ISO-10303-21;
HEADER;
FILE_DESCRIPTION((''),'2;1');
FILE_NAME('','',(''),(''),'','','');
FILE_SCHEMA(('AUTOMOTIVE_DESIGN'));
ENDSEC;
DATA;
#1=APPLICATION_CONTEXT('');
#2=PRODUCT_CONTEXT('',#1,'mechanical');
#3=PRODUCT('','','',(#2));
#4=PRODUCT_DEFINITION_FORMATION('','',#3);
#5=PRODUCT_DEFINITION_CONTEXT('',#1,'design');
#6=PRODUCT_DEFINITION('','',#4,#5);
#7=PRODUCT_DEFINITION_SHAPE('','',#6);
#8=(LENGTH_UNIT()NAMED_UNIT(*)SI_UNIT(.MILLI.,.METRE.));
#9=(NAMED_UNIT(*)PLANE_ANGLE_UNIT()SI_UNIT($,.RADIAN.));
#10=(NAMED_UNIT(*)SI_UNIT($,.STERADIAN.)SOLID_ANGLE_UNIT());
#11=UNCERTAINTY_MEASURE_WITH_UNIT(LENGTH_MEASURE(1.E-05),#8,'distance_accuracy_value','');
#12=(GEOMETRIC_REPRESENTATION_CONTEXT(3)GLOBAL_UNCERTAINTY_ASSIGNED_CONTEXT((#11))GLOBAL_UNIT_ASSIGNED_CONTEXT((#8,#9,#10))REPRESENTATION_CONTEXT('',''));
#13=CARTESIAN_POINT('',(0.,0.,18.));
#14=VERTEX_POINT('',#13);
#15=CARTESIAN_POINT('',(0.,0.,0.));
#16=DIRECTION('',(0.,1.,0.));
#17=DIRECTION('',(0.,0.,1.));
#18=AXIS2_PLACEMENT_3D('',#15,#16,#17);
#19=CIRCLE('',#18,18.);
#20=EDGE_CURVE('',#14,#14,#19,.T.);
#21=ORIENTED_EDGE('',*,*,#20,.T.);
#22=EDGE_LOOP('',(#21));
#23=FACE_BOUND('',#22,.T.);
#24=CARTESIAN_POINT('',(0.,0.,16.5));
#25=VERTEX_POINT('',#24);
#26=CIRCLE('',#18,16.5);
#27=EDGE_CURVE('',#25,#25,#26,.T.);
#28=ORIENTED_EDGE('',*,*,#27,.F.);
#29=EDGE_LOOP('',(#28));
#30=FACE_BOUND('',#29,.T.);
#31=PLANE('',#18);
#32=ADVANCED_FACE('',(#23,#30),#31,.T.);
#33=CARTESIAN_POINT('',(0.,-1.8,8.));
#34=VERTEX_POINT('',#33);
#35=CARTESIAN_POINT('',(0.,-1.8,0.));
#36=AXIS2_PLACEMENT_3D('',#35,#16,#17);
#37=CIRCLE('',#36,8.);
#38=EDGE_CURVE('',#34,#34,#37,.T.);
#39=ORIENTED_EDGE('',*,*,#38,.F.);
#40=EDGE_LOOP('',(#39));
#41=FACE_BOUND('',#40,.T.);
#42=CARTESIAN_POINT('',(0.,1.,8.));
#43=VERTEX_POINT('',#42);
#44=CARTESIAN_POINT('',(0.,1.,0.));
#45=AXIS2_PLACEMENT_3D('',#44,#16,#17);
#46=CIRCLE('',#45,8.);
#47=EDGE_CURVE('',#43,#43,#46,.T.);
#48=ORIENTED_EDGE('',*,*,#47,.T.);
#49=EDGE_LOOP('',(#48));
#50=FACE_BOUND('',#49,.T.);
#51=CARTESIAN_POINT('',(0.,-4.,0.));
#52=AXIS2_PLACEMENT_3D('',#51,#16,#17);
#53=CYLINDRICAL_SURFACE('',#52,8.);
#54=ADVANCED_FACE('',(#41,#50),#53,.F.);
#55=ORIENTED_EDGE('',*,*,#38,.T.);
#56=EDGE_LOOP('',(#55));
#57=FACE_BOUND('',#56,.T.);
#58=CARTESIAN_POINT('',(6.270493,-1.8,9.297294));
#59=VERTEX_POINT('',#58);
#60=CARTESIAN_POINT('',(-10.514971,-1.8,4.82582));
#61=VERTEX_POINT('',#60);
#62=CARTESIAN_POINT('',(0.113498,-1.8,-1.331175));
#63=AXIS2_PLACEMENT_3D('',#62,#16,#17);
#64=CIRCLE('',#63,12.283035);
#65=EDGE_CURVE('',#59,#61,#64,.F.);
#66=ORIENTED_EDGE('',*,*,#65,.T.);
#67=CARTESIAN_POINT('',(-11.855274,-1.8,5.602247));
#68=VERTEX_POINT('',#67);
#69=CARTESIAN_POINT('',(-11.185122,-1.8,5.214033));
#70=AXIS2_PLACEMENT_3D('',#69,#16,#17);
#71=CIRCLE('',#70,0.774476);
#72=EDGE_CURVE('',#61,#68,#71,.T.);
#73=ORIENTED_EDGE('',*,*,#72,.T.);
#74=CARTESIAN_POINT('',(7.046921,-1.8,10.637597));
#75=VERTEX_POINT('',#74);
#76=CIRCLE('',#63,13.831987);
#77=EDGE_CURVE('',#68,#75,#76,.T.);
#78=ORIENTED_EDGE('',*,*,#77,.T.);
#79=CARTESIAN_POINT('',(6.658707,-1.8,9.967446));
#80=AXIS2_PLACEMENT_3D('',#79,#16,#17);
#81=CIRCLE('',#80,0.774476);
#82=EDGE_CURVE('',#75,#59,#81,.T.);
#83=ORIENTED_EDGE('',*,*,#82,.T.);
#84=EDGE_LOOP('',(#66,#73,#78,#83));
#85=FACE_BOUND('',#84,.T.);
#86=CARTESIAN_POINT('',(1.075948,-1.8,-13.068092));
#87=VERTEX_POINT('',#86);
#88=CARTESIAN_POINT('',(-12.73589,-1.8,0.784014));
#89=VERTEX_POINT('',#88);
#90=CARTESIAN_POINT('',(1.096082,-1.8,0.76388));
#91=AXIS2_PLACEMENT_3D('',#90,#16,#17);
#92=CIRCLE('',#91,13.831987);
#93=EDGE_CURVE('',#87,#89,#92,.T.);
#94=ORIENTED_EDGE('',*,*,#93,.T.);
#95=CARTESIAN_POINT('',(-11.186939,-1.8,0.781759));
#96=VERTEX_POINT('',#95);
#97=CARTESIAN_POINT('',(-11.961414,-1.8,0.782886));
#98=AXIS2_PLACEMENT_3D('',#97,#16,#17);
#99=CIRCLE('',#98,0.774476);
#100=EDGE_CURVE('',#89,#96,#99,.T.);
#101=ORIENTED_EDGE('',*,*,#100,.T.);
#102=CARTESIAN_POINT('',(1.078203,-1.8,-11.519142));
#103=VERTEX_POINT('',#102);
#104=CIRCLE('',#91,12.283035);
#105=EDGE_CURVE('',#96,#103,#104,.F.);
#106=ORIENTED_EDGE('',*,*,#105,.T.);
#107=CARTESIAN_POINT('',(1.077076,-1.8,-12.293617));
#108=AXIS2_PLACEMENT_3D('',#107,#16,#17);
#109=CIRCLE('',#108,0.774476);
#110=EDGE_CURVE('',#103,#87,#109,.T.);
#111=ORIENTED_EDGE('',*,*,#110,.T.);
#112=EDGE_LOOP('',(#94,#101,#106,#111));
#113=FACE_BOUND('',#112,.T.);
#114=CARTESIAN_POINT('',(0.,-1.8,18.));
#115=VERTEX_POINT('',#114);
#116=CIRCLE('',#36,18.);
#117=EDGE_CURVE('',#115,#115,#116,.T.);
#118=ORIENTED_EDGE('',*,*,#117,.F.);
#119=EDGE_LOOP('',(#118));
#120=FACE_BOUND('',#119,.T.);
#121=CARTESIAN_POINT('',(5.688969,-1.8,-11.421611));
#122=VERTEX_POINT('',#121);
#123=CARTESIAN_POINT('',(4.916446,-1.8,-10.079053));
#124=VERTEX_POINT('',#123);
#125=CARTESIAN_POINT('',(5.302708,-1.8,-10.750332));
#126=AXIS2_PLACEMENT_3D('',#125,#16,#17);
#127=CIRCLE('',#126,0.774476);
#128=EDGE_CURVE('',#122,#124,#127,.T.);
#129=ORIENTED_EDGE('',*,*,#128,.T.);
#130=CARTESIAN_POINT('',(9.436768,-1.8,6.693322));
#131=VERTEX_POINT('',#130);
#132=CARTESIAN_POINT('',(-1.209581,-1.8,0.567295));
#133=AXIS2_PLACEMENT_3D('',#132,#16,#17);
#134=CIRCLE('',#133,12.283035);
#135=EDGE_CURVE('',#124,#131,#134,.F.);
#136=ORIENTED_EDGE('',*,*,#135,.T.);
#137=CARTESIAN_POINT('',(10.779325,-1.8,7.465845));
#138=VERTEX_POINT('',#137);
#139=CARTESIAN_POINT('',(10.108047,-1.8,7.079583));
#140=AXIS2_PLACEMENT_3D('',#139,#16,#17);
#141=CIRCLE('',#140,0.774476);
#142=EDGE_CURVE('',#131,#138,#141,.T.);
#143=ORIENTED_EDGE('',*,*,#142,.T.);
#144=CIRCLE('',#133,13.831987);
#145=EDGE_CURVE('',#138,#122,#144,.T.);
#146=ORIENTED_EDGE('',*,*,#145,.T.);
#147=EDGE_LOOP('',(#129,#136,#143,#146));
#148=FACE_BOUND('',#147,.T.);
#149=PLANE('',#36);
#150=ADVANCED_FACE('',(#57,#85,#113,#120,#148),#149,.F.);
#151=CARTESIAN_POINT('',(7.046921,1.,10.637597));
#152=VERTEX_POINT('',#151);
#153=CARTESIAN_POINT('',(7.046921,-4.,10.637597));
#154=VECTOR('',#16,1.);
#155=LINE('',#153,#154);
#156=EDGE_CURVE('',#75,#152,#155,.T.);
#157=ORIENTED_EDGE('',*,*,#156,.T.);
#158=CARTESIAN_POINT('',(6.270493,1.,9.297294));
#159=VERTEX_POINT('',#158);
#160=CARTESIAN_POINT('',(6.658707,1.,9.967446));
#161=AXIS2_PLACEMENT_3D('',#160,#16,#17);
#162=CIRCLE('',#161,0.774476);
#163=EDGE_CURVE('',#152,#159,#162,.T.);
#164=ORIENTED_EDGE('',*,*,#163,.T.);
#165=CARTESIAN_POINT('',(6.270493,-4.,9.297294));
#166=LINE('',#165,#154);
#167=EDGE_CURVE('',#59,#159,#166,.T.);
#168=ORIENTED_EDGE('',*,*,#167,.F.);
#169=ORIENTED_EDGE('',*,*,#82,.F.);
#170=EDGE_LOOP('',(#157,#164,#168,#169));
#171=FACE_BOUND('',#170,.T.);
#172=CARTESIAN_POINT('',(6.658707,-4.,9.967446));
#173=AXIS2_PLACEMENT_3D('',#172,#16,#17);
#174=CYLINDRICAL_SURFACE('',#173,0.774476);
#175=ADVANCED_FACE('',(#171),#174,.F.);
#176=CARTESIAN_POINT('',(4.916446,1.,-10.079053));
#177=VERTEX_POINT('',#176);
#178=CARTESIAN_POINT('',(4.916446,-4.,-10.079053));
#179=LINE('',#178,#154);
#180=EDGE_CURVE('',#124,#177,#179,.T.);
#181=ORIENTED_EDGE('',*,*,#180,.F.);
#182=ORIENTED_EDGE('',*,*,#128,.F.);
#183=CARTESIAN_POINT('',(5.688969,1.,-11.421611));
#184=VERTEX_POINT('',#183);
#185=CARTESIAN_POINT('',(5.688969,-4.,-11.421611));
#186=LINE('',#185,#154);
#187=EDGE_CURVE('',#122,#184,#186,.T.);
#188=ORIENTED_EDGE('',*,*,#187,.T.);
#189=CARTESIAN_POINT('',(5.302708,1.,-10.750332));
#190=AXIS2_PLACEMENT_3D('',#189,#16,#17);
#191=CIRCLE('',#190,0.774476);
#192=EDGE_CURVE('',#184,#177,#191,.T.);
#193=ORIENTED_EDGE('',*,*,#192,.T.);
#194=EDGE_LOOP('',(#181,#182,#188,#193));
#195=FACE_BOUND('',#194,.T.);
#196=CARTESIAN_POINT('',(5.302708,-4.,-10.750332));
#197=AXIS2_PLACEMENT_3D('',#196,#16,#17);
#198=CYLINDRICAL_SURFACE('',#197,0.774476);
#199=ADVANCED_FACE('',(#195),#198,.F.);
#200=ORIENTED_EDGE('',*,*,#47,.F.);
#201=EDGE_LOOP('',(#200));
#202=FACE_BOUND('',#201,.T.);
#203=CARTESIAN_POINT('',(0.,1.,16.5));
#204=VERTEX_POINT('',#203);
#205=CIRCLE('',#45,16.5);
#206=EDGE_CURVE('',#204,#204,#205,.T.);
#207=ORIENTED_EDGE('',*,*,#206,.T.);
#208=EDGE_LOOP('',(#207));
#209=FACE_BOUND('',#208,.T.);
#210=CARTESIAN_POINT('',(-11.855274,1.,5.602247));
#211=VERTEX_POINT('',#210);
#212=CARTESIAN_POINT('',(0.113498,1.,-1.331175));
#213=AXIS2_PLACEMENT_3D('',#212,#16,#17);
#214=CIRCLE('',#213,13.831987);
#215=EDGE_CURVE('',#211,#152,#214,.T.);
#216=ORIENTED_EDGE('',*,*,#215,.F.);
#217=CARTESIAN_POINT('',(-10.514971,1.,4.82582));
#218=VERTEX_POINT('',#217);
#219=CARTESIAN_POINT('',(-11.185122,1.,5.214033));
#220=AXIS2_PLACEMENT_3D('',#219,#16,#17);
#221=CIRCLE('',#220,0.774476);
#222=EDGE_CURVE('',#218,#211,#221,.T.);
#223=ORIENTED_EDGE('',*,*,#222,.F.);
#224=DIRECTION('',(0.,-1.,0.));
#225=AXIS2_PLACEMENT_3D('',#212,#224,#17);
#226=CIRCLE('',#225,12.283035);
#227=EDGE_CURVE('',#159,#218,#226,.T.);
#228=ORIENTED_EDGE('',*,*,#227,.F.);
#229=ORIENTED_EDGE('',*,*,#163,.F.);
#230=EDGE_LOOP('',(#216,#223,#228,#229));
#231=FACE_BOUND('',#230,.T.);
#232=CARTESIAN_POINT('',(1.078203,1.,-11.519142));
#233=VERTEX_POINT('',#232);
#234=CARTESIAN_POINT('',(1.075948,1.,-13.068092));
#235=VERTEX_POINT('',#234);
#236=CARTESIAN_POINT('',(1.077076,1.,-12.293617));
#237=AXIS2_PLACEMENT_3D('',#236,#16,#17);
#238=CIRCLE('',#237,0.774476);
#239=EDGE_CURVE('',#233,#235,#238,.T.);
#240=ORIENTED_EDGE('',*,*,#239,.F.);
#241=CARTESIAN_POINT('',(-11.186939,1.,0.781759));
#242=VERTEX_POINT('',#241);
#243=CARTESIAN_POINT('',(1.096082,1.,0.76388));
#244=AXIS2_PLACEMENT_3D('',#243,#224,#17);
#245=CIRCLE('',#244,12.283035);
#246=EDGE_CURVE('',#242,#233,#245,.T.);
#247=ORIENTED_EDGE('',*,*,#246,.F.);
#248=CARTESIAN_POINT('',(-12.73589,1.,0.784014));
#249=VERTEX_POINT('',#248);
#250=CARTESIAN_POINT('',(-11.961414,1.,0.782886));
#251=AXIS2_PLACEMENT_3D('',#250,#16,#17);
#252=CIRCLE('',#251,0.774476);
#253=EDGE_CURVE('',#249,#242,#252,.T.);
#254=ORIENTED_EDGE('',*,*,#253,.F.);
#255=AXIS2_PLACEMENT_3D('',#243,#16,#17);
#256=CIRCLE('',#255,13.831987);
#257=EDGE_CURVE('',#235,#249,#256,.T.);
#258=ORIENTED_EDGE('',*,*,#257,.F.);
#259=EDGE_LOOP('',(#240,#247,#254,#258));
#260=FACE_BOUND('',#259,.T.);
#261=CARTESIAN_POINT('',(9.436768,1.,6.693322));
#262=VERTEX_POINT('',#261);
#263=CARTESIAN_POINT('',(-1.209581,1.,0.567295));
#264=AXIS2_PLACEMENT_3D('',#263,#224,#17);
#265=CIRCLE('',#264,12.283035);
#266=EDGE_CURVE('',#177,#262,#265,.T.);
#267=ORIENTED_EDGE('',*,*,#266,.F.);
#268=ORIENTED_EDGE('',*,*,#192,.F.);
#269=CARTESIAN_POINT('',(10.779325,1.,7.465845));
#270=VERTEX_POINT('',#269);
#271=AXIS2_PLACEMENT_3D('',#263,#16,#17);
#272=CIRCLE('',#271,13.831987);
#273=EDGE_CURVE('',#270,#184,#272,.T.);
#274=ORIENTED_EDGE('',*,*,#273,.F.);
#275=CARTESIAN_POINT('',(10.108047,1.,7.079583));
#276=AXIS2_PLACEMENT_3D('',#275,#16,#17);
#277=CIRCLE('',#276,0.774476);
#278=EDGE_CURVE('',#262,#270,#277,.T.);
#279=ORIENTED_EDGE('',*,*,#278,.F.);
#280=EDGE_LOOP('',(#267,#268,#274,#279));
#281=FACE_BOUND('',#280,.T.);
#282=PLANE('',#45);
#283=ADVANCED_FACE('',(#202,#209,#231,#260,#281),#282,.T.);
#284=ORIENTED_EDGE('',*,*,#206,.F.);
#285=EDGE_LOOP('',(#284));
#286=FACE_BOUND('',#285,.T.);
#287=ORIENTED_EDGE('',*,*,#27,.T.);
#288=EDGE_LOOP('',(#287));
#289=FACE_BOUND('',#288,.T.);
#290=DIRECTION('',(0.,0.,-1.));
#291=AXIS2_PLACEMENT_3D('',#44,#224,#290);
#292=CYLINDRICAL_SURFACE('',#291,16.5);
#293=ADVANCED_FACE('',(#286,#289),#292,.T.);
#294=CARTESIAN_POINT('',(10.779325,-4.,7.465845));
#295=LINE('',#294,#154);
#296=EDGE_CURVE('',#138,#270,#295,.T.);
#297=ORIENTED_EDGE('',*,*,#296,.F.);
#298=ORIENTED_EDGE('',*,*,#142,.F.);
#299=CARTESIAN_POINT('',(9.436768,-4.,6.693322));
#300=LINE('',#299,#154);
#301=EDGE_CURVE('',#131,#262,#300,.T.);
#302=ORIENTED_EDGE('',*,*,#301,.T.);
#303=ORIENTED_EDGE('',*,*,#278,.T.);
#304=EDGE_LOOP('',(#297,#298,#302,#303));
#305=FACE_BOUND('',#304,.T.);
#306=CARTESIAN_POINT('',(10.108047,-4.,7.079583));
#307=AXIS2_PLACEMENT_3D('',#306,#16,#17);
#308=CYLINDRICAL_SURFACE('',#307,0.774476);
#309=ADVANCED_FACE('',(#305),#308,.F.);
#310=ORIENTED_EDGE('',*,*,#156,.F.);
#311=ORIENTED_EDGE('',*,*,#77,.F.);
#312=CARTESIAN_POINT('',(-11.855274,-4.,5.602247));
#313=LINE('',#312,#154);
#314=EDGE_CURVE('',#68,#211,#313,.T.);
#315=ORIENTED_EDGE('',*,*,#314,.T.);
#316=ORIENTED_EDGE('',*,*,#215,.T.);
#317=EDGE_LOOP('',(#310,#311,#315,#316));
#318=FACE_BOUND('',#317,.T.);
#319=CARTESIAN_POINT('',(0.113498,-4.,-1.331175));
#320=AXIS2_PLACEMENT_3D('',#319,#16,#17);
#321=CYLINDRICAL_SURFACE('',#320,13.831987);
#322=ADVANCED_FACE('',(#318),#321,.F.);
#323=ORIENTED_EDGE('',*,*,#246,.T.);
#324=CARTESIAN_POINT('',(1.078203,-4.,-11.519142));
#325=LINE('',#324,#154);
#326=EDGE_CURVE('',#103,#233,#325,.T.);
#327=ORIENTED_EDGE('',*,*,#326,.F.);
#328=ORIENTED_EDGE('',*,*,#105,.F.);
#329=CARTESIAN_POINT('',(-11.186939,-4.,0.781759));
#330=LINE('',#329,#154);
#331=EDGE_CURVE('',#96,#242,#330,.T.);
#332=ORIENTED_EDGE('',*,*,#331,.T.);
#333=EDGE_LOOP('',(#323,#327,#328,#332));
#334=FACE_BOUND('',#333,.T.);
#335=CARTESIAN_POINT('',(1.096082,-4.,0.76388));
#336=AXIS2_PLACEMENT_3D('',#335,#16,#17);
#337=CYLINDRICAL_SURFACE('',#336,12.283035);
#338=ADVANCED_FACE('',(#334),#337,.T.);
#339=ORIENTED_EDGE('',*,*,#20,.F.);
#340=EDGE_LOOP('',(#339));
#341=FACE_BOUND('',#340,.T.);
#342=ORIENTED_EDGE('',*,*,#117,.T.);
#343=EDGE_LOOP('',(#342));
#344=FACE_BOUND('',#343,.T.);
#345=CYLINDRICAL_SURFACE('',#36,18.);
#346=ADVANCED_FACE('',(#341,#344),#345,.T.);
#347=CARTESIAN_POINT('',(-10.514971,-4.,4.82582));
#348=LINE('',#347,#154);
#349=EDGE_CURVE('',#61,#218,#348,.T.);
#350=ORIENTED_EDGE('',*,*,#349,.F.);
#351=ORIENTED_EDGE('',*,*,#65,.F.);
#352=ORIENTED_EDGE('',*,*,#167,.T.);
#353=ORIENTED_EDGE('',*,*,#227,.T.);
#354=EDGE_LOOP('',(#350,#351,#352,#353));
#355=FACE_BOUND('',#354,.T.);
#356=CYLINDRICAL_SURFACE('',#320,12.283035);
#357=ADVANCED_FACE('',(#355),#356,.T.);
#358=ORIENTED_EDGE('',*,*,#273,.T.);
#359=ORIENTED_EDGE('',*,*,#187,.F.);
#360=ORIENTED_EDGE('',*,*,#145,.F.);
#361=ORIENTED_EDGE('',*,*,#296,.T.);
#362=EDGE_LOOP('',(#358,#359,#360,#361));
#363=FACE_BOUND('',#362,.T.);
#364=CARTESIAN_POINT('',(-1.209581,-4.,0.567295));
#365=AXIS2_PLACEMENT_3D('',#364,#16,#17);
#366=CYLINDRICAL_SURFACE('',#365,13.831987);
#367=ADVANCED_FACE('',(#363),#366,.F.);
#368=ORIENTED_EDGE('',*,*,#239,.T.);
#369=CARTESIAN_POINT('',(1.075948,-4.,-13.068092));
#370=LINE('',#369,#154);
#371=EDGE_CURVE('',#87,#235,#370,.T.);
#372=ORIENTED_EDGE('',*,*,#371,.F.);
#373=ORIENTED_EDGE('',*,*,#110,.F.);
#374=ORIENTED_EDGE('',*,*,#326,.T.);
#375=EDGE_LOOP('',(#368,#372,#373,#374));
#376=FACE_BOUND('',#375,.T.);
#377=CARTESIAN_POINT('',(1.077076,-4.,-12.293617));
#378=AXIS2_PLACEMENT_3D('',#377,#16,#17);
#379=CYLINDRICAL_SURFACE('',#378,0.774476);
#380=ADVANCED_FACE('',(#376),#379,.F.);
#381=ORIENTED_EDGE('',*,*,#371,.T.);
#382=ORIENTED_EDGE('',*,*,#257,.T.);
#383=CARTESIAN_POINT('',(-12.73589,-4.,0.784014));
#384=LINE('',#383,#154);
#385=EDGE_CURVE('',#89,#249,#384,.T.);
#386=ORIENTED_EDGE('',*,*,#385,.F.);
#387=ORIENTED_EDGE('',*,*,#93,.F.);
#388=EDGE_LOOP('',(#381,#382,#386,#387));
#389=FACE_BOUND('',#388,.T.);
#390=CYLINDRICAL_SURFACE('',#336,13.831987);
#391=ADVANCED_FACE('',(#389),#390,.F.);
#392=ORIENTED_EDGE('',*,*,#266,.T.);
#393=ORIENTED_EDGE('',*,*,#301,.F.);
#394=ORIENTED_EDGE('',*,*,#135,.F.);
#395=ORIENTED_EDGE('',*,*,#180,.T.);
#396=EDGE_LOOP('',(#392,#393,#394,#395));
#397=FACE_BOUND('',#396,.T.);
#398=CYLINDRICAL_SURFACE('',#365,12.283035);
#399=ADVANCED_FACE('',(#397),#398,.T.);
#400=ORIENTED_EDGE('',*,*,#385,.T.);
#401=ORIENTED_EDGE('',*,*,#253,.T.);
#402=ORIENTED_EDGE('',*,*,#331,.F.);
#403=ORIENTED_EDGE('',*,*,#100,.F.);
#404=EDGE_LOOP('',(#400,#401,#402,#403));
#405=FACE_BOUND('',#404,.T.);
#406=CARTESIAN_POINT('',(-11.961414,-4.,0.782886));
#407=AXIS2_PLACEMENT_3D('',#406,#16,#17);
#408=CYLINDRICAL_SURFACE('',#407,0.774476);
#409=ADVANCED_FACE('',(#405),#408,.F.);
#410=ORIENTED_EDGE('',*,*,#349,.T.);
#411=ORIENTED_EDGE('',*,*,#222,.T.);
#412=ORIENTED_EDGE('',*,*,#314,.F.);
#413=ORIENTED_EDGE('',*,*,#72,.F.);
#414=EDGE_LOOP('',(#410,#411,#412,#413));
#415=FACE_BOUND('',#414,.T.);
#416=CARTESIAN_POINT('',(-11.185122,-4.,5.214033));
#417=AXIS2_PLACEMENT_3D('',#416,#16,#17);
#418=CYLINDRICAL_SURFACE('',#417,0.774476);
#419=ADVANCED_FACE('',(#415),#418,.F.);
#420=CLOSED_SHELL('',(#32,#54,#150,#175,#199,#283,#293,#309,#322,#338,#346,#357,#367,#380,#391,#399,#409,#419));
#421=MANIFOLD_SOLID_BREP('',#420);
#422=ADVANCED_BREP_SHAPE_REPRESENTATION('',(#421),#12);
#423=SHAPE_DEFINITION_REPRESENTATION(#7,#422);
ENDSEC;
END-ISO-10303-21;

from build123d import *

# Parameters (mm, degrees)
SKETCH1_R           = 18
BOSS_EXTRUDE2_DEPTH = 1.8
SKETCH2_R           = 16.5
BOSS_EXTRUDE3_DEPTH = 1
SKETCH3_R           = 8
CUT_EXTRUDE1_DEPTH  = 5
CUT_EXTRUDE2_DEPTH  = 5


with BuildPart() as part:
    # Sketch1 → Boss-Extrude2 (new body)
    with BuildSketch(Plane(origin=(0, 0, 0), x_dir=(1, 0, 0), z_dir=(0, 1, 0))):
        Circle(SKETCH1_R)
    extrude(amount=-BOSS_EXTRUDE2_DEPTH)

    # Sketch2 → Boss-Extrude3 (add)
    with BuildSketch(Plane(origin=(0, 0, 0), x_dir=(1, 0, 0), z_dir=(0, 1, 0))):
        Circle(SKETCH2_R)
    extrude(amount=BOSS_EXTRUDE3_DEPTH)

    # Sketch3 → Cut-Extrude1 (cut)
    with BuildSketch(Plane(origin=(0, 1, 0), x_dir=(1, 0, 0), z_dir=(0, 1, 0))):
        Circle(SKETCH3_R)
    extrude(amount=-CUT_EXTRUDE1_DEPTH, mode=Mode.SUBTRACT)

    # Sketch5 → Cut-Extrude2 (cut)
    with BuildSketch(Plane(origin=(0, 1, 0), x_dir=(1, 0, 0), z_dir=(0, 1, 0))):
        with BuildLine():
            ThreePointArc((1.075948411, 13.068091917), (-8.698835605, 9.002564361), (-12.735889562, -0.784013805))
            ThreePointArc((-12.735889562, -0.784013805), (-11.960287094, -1.557361616), (-11.186939283, -0.781759147))
            ThreePointArc((-11.186939283, -0.781759147), (-7.601968074, 7.908885399), (1.078203069, 11.519141638))
            ThreePointArc((1.078203069, 11.519141638), (1.85155088, 12.294744107), (1.075948411, 13.068091917))
        make_face()
        with BuildLine():
            ThreePointArc((10.779325374, -7.465844616), (12.145867238, 3.032130437), (5.688968909, 11.421610803))
            ThreePointArc((5.688968909, 11.421610803), (4.631428825, 11.136593267), (4.916446361, 10.079053183))
            ThreePointArc((4.916446361, 10.079053183), (10.650279708, 2.629054772), (9.436767754, -6.693322067))
            ThreePointArc((9.436767754, -6.693322067), (9.72178529, -7.750862152), (10.779325374, -7.465844616))
        make_face()
        with BuildLine():
            ThreePointArc((-11.855273785, -5.602247302), (-3.447031633, -12.034694797), (7.046920653, -10.637596998))
            ThreePointArc((7.046920653, -10.637596998), (7.328858269, -9.579231652), (6.270492922, -9.297294036))
            ThreePointArc((6.270492922, -9.297294036), (-3.048311634, -10.537940171), (-10.514970823, -4.825819571))
            ThreePointArc((-10.514970823, -4.825819571), (-11.573336169, -4.543881955), (-11.855273785, -5.602247302))
        make_face()
    extrude(amount=-CUT_EXTRUDE2_DEPTH, mode=Mode.SUBTRACT)


solid = part.part
